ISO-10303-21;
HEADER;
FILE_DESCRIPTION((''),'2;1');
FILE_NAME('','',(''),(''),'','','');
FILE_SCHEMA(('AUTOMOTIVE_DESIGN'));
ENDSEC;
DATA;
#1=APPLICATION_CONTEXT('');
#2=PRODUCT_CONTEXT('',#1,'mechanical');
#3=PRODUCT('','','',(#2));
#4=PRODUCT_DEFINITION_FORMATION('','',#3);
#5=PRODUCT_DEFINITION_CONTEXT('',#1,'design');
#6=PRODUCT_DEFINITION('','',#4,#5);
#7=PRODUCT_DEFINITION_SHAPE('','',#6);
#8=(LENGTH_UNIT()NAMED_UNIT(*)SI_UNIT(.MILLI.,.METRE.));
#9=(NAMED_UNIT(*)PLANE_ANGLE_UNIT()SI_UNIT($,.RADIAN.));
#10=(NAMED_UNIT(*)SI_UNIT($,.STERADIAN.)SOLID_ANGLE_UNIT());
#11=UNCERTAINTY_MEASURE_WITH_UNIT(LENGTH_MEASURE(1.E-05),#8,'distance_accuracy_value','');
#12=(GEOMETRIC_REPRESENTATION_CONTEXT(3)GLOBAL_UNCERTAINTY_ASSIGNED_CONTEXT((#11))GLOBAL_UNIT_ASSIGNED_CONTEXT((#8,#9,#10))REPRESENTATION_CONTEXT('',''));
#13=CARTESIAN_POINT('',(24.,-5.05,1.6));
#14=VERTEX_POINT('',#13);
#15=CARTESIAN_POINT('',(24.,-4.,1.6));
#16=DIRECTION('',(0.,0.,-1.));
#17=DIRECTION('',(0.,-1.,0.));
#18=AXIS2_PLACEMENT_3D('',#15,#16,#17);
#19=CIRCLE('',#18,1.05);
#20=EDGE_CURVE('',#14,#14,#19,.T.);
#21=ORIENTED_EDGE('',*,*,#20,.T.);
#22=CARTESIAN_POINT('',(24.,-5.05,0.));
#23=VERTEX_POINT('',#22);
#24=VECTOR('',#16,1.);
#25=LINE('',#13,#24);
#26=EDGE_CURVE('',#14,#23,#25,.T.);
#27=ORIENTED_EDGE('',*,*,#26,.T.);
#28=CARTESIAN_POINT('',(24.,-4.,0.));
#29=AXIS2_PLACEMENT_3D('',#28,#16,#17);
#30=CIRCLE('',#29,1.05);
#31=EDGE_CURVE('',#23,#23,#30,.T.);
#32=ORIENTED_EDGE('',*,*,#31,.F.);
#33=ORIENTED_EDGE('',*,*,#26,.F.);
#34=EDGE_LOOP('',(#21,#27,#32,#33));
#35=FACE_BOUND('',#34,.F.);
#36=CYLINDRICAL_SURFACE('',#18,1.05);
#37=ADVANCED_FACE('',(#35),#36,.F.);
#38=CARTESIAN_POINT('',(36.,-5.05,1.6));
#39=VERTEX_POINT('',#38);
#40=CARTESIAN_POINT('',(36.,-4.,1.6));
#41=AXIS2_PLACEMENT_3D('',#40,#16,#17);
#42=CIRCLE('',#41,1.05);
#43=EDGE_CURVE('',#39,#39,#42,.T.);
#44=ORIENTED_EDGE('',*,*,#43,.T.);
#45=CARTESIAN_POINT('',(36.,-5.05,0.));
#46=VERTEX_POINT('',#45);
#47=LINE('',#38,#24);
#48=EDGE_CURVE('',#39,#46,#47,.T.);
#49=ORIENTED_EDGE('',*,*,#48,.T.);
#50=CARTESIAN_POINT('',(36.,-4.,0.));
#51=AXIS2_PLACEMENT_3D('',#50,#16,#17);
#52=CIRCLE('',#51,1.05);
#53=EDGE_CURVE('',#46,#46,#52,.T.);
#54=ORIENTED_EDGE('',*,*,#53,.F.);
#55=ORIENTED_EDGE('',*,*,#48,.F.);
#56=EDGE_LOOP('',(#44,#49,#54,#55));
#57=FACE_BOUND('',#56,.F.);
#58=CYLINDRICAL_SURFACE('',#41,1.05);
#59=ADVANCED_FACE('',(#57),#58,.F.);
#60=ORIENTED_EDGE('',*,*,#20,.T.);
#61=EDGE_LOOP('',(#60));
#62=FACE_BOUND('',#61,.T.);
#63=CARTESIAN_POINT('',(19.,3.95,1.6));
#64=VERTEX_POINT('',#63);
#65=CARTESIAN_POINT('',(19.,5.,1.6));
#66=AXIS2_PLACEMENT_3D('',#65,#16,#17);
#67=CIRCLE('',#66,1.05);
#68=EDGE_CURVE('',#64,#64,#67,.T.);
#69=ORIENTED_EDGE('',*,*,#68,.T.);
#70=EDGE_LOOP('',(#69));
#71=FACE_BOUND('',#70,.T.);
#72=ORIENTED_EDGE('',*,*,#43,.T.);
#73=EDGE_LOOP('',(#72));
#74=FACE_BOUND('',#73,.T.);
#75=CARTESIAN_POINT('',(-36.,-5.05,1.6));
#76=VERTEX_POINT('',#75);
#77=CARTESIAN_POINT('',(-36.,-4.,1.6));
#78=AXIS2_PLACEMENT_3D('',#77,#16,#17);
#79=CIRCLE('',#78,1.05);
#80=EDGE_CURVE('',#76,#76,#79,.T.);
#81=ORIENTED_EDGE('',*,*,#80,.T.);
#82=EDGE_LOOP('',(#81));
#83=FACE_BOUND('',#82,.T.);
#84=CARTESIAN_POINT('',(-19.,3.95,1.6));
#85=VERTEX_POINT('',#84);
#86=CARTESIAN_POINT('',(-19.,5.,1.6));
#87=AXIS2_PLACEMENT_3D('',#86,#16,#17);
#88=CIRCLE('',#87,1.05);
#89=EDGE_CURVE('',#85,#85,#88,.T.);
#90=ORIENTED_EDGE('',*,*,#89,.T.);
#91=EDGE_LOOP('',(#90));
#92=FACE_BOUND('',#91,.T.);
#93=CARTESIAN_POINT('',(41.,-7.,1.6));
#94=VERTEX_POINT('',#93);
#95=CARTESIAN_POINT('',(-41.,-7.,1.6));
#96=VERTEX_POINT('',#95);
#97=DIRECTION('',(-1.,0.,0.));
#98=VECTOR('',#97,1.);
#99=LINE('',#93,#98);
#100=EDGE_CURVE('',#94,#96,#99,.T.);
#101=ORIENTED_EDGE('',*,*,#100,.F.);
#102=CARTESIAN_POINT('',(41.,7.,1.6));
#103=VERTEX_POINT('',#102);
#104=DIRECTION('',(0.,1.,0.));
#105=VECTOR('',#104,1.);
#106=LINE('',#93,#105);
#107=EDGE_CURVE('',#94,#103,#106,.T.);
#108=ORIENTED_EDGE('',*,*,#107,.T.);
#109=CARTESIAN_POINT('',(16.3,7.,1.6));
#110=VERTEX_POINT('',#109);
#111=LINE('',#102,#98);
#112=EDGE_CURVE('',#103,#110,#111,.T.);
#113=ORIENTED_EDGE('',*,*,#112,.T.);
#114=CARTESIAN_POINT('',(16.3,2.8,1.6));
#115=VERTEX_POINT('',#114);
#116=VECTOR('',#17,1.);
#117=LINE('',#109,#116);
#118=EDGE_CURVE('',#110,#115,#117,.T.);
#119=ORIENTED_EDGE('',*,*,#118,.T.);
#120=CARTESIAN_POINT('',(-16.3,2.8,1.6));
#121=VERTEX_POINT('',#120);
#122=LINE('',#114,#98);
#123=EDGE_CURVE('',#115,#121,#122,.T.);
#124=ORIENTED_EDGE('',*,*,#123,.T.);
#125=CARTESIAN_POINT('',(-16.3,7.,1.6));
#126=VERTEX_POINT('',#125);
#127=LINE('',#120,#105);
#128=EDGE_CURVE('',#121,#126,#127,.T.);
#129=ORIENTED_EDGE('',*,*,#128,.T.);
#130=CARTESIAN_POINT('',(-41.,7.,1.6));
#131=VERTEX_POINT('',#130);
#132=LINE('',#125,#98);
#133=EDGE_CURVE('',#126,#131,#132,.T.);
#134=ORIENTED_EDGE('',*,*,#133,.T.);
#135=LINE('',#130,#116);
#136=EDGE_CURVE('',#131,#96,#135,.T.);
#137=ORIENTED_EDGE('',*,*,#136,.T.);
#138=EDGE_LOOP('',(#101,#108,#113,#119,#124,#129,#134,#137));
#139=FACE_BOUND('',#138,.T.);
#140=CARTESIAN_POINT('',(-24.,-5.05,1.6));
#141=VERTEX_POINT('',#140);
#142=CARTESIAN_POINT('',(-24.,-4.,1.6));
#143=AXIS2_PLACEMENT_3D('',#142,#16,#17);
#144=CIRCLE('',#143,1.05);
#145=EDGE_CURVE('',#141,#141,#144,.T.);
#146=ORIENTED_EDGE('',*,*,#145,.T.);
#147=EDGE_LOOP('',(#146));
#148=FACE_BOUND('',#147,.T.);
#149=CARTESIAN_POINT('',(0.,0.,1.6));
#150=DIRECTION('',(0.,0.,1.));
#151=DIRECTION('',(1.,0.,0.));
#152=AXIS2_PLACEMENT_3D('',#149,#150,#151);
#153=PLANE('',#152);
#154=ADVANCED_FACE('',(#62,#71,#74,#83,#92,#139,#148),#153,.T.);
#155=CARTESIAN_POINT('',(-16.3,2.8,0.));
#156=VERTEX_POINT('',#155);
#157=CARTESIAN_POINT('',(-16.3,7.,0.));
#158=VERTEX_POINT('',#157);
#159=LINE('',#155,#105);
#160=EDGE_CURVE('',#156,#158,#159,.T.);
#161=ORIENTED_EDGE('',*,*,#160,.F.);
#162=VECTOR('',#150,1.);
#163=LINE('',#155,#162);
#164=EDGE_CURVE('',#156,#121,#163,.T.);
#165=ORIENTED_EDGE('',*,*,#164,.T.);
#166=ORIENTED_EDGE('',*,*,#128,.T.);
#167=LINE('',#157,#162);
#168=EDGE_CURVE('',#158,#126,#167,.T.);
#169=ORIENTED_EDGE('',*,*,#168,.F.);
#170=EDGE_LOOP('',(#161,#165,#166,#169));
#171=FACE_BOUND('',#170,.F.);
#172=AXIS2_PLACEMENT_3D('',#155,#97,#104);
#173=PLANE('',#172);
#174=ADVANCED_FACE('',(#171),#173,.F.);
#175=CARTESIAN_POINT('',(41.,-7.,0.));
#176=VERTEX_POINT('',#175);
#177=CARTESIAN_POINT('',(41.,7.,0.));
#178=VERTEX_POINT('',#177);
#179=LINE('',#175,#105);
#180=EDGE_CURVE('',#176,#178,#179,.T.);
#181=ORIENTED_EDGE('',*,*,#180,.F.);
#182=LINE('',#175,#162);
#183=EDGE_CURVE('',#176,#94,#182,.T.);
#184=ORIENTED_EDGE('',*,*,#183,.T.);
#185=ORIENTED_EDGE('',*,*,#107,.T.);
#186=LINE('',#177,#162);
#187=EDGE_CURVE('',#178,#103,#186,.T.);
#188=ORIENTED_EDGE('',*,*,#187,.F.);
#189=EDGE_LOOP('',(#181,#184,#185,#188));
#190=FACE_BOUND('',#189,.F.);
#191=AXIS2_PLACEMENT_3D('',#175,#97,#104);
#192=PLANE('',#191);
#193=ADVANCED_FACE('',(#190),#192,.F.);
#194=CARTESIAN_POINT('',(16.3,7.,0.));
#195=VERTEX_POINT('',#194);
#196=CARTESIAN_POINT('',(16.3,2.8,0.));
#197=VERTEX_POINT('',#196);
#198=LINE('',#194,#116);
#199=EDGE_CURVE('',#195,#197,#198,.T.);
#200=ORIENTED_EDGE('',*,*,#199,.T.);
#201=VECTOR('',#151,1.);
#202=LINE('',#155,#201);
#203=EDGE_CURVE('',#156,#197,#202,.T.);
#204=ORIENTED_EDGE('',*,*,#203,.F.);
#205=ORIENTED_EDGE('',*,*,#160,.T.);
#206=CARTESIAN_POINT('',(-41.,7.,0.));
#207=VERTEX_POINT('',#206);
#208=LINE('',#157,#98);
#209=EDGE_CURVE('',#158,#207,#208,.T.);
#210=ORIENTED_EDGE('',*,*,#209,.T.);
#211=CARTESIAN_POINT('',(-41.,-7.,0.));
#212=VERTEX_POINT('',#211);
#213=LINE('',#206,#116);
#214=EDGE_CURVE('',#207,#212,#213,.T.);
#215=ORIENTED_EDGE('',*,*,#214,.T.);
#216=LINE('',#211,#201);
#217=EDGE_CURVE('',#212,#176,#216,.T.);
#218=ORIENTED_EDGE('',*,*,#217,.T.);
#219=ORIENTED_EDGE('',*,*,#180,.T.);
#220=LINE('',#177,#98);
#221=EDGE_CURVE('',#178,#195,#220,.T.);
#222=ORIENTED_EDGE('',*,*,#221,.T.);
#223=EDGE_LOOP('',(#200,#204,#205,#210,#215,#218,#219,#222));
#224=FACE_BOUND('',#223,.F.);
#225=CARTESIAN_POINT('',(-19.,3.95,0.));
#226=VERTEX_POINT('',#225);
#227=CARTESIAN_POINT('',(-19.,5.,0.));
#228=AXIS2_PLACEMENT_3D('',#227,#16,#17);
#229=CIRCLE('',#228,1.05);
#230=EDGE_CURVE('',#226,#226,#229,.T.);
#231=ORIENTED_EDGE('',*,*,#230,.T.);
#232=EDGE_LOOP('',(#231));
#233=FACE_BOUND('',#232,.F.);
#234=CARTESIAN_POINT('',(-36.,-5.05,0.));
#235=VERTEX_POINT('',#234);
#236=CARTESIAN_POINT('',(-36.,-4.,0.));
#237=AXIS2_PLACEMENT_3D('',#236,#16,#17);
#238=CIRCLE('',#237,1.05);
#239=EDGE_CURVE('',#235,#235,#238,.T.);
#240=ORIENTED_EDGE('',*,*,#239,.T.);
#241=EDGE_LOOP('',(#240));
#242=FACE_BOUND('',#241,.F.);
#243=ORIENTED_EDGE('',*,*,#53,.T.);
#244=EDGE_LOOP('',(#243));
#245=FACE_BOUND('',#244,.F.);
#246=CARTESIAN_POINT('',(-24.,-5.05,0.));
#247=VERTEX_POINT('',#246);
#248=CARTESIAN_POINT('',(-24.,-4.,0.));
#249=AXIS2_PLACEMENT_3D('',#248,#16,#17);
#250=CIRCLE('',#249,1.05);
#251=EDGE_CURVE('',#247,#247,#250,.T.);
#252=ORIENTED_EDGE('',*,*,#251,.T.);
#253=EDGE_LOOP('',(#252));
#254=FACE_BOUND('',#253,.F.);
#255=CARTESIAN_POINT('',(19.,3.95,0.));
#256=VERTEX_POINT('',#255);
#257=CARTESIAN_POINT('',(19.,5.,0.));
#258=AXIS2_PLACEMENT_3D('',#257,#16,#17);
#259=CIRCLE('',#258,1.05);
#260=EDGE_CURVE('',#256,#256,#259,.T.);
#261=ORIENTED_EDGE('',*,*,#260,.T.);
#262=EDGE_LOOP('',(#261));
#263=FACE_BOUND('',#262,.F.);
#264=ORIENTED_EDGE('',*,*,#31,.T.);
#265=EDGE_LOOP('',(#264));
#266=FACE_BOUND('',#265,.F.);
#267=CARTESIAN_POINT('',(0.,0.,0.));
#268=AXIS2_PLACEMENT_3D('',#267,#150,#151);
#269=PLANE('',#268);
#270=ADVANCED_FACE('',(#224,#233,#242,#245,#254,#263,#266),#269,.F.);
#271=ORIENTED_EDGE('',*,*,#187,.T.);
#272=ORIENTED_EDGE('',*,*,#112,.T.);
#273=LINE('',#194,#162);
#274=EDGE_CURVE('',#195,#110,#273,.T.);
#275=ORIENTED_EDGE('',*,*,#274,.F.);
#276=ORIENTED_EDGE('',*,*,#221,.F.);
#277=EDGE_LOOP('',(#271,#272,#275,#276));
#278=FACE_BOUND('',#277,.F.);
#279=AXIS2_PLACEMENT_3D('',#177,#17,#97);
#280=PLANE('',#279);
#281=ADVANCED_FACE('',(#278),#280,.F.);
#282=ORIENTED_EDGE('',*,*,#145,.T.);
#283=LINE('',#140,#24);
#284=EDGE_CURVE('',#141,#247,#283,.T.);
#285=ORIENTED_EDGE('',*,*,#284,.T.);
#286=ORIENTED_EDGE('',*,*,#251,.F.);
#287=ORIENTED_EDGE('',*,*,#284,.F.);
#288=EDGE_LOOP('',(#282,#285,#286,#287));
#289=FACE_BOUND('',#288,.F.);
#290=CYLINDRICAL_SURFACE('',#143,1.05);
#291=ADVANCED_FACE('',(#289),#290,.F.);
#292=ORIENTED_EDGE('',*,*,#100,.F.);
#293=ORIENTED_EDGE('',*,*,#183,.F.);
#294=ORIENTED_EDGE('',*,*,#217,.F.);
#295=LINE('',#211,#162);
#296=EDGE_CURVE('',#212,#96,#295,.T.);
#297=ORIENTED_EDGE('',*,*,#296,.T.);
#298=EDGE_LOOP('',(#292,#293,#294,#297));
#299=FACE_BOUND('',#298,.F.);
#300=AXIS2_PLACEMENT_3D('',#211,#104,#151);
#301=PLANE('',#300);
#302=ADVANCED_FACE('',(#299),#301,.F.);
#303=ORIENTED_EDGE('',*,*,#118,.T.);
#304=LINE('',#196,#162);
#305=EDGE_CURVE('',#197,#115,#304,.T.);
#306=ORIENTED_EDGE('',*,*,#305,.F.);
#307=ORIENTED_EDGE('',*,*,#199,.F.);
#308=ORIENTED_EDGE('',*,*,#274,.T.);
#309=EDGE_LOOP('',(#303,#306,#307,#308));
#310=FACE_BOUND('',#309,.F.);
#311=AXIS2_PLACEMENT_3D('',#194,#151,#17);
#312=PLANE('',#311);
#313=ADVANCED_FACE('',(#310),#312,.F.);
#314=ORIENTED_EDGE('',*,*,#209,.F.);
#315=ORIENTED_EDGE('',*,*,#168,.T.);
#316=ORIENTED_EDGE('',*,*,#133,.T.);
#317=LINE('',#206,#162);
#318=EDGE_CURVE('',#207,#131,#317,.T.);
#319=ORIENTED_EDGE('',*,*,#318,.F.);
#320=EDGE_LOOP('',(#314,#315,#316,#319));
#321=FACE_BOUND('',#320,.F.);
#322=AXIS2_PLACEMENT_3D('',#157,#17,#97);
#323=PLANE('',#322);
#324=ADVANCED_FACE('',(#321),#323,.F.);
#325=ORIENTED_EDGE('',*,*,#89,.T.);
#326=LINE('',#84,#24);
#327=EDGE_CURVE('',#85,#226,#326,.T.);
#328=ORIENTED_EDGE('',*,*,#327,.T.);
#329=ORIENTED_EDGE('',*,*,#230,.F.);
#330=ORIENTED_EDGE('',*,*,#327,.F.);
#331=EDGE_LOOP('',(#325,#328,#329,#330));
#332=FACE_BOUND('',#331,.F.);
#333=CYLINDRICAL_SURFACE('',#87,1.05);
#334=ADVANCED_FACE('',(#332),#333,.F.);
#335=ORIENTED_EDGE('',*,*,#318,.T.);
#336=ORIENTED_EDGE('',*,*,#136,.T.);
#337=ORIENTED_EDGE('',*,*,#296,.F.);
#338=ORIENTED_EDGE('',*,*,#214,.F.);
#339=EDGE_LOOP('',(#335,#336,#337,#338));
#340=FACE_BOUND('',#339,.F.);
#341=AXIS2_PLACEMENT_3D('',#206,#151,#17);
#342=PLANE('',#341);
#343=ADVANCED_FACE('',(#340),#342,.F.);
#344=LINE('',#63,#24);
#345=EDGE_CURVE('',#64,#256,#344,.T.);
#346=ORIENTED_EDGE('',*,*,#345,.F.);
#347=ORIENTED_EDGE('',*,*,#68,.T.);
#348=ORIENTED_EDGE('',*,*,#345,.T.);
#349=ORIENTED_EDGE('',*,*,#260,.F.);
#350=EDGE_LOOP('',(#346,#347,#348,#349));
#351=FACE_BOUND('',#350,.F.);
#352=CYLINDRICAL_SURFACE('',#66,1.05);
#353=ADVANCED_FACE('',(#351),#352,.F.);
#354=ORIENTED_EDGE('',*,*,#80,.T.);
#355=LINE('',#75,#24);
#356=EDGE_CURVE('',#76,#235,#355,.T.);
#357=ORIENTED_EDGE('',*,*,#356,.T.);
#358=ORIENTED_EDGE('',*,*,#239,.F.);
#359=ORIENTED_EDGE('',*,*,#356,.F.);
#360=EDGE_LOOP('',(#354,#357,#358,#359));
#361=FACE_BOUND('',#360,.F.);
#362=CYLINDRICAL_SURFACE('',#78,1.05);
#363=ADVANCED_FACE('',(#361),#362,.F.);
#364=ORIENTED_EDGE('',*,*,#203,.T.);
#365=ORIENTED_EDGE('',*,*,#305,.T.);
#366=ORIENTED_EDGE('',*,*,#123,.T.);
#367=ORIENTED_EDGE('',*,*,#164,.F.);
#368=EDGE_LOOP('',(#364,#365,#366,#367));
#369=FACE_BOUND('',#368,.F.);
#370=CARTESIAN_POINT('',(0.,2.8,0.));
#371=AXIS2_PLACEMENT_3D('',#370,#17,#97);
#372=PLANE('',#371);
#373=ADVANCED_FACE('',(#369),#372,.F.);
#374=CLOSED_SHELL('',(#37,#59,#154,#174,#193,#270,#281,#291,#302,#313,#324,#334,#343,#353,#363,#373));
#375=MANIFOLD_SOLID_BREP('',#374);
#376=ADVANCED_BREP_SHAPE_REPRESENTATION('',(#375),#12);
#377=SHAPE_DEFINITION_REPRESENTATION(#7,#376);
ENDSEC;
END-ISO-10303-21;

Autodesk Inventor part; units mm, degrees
ref_plane "YZ Plane" through (0, 0, 0) normal (1, 0, 0) x (0, 1, 0)
ref_plane "XZ Plane" through (0, 0, 0) normal (0, 1, 0) x (-1, 0, 0)
ref_plane "XY Plane" through (0, 0, 0) normal (0, 0, 1) x (1, 0, 0)
sketch "Skizze1" plane through (0, 0, 0) normal (0, 0, 1) x (1, 0, 0)
  line L0 (-41, -7) -> (41, -7)
  line L1 (41, -7) -> (41, 7)
  line L2 (-41, 7) -> (-41, -7)
  line L3 (-41, -7) -> (41, 7) construction
  line L4 (41, -7) -> (-41, 7) construction
  line L5 (16.3, 7) -> (16.3, 2.8)
  line L6 (16.3, 2.8) -> (-16.3, 2.8)
  line L7 (-16.3, 2.8) -> (-16.3, 7)
  line L8 (41, 7) -> (16.3, 7)
  line L9 (-16.3, 7) -> (-41, 7)
  line L10 (0, 9.8) -> (0, -9.8) projected
  point P0 (0, 0)
  dimension "d0" = 82
  dimension "d1" = 14
  dimension "d13" = 4.2
  dimension "d14" = 32.6
extrude "Extrusion1" add sketch "Skizze1" along normal blind 1.6
sketch "Skizze2" plane through (0, 0, 1.6) normal (0, 0, 1) x (1, 0, 0)
  line L0 (0, 9.8) -> (0, -9.8) projected
  line L1 (-57.4, 0) -> (57.4, 0) projected
  line L2 (-19, 5) -> (19, 5) construction
  line L3 (-16.3, 7) -> (-41, 7) projected
  point P0 (0, 0)
  dimension "d4" = 38
  dimension "d15" = 2
hole "Bohrung1" at (-19, 5, 1.6) at (19, 5, 1.6) direction (0, 0, -1) diameter 2.1 end through all
sketch "Skizze3" plane through (0, 0, 1.6) normal (0, 0, 1) x (1, 0, 0)
  line L0 (-41, -7) -> (41, -7) projected
  line L1 (0, 9.8) -> (0, -9.8) projected
  line L2 (-36, -4) -> (-24, -4) construction
  line L3 (24, -4) -> (36, -4) construction
  point P0 (0, 0)
  dimension "d16" = 3
  dimension "d17" = 24
  dimension "d18" = 12
hole "Bohrung2" at (-36, -4, 1.6) at (-24, -4, 1.6) at (24, -4, 1.6) at (36, -4, 1.6) direction (0, 0, -1) diameter 2.1 end through all
properties part number "Eyeboard" material "Phenolharz"
